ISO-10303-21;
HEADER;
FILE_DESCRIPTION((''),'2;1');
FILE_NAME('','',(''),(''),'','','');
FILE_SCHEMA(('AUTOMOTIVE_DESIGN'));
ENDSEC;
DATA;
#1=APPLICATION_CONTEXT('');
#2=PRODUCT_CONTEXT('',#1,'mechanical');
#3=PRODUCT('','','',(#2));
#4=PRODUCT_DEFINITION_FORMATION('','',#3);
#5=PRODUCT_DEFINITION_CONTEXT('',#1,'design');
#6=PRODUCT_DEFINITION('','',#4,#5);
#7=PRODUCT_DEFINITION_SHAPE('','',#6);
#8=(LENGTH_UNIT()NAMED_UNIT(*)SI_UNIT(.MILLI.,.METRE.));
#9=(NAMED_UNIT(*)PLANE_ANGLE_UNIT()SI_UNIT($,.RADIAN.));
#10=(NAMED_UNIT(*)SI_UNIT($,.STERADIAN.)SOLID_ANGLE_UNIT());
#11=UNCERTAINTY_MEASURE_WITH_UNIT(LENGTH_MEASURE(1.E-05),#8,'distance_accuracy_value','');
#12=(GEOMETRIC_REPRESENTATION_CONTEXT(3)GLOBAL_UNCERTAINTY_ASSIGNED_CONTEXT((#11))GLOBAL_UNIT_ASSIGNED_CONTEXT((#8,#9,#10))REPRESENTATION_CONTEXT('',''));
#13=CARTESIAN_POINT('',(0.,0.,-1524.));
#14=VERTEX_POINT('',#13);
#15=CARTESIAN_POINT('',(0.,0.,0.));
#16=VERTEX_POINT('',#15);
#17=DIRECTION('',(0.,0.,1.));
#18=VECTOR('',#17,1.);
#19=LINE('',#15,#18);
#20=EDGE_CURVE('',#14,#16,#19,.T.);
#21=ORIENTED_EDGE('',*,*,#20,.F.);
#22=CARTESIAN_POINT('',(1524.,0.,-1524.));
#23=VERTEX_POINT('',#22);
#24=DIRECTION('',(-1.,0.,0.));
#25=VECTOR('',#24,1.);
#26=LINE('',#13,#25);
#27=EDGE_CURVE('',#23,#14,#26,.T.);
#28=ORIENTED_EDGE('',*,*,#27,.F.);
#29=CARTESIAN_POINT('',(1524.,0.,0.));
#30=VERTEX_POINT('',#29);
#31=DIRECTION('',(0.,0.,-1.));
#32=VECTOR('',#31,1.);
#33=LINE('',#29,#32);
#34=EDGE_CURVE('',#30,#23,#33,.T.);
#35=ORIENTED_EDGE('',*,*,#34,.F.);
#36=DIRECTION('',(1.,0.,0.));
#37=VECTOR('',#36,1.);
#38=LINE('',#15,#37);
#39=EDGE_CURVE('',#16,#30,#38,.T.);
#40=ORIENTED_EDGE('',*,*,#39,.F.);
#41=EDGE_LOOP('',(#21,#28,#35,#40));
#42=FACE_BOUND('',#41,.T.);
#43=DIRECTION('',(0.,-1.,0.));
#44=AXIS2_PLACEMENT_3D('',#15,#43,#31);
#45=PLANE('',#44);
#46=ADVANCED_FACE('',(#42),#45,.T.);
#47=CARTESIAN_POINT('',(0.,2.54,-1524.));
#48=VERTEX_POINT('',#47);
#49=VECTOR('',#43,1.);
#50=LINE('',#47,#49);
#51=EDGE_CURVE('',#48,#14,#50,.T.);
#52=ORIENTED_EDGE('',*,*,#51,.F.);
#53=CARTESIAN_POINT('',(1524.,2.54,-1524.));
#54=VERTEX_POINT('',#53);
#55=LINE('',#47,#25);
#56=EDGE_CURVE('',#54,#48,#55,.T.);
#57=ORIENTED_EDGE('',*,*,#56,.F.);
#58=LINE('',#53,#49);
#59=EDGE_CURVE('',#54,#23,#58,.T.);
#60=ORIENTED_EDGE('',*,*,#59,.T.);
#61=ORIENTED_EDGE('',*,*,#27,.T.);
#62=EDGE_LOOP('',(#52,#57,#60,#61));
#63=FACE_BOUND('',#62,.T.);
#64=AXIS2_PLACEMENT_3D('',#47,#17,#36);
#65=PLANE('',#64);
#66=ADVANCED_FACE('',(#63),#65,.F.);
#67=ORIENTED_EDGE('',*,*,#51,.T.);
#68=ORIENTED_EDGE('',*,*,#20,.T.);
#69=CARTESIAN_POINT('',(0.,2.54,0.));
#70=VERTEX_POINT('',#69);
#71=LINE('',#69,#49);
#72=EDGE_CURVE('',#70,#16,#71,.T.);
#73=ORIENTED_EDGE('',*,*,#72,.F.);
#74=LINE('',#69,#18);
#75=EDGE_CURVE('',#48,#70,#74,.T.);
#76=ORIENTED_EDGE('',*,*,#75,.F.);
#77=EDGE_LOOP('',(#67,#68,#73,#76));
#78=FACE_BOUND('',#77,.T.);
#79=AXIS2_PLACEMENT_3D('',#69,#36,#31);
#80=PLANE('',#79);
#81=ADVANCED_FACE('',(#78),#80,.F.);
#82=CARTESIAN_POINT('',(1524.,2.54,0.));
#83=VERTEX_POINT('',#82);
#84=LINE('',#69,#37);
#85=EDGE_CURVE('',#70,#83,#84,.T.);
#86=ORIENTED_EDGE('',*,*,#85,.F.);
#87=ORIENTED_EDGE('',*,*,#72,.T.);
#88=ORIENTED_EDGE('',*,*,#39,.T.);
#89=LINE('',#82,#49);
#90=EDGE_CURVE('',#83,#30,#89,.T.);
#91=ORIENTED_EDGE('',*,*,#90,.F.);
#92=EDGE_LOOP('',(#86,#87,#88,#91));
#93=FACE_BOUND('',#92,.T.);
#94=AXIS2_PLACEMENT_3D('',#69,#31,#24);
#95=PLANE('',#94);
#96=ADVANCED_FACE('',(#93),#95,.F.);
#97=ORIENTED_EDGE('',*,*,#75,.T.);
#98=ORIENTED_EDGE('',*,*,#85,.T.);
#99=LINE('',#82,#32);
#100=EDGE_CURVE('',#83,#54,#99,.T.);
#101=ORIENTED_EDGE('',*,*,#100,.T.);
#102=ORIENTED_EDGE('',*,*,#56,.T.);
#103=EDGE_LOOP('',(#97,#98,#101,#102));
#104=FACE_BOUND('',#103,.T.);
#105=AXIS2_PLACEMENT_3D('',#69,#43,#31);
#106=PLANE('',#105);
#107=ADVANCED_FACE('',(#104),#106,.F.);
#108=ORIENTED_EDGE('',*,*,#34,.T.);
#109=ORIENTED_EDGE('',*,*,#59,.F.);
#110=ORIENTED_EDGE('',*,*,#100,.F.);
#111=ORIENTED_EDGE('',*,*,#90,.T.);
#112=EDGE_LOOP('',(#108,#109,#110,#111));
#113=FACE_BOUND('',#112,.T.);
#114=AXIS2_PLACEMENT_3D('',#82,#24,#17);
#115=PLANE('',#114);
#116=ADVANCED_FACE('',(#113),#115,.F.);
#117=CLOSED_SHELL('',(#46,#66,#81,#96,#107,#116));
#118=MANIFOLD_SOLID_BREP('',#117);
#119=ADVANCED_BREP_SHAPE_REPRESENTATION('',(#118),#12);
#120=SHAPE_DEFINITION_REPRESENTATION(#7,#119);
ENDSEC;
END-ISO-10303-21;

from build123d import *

# Parameters (mm, degrees)
SKETCH1_W           = 1524
SKETCH1_H           = 1524
BOSS_EXTRUDE1_DEPTH = 2.54


with BuildPart() as part:
    # Sketch1 → Boss-Extrude1 (new body)
    with BuildSketch(Plane(origin=(0, 0, 0), x_dir=(1, 0, 0), z_dir=(0, 1, 0))):
        with Locations((762, 762)):
            Rectangle(SKETCH1_W, SKETCH1_H)
    extrude(amount=BOSS_EXTRUDE1_DEPTH)


solid = part.part
